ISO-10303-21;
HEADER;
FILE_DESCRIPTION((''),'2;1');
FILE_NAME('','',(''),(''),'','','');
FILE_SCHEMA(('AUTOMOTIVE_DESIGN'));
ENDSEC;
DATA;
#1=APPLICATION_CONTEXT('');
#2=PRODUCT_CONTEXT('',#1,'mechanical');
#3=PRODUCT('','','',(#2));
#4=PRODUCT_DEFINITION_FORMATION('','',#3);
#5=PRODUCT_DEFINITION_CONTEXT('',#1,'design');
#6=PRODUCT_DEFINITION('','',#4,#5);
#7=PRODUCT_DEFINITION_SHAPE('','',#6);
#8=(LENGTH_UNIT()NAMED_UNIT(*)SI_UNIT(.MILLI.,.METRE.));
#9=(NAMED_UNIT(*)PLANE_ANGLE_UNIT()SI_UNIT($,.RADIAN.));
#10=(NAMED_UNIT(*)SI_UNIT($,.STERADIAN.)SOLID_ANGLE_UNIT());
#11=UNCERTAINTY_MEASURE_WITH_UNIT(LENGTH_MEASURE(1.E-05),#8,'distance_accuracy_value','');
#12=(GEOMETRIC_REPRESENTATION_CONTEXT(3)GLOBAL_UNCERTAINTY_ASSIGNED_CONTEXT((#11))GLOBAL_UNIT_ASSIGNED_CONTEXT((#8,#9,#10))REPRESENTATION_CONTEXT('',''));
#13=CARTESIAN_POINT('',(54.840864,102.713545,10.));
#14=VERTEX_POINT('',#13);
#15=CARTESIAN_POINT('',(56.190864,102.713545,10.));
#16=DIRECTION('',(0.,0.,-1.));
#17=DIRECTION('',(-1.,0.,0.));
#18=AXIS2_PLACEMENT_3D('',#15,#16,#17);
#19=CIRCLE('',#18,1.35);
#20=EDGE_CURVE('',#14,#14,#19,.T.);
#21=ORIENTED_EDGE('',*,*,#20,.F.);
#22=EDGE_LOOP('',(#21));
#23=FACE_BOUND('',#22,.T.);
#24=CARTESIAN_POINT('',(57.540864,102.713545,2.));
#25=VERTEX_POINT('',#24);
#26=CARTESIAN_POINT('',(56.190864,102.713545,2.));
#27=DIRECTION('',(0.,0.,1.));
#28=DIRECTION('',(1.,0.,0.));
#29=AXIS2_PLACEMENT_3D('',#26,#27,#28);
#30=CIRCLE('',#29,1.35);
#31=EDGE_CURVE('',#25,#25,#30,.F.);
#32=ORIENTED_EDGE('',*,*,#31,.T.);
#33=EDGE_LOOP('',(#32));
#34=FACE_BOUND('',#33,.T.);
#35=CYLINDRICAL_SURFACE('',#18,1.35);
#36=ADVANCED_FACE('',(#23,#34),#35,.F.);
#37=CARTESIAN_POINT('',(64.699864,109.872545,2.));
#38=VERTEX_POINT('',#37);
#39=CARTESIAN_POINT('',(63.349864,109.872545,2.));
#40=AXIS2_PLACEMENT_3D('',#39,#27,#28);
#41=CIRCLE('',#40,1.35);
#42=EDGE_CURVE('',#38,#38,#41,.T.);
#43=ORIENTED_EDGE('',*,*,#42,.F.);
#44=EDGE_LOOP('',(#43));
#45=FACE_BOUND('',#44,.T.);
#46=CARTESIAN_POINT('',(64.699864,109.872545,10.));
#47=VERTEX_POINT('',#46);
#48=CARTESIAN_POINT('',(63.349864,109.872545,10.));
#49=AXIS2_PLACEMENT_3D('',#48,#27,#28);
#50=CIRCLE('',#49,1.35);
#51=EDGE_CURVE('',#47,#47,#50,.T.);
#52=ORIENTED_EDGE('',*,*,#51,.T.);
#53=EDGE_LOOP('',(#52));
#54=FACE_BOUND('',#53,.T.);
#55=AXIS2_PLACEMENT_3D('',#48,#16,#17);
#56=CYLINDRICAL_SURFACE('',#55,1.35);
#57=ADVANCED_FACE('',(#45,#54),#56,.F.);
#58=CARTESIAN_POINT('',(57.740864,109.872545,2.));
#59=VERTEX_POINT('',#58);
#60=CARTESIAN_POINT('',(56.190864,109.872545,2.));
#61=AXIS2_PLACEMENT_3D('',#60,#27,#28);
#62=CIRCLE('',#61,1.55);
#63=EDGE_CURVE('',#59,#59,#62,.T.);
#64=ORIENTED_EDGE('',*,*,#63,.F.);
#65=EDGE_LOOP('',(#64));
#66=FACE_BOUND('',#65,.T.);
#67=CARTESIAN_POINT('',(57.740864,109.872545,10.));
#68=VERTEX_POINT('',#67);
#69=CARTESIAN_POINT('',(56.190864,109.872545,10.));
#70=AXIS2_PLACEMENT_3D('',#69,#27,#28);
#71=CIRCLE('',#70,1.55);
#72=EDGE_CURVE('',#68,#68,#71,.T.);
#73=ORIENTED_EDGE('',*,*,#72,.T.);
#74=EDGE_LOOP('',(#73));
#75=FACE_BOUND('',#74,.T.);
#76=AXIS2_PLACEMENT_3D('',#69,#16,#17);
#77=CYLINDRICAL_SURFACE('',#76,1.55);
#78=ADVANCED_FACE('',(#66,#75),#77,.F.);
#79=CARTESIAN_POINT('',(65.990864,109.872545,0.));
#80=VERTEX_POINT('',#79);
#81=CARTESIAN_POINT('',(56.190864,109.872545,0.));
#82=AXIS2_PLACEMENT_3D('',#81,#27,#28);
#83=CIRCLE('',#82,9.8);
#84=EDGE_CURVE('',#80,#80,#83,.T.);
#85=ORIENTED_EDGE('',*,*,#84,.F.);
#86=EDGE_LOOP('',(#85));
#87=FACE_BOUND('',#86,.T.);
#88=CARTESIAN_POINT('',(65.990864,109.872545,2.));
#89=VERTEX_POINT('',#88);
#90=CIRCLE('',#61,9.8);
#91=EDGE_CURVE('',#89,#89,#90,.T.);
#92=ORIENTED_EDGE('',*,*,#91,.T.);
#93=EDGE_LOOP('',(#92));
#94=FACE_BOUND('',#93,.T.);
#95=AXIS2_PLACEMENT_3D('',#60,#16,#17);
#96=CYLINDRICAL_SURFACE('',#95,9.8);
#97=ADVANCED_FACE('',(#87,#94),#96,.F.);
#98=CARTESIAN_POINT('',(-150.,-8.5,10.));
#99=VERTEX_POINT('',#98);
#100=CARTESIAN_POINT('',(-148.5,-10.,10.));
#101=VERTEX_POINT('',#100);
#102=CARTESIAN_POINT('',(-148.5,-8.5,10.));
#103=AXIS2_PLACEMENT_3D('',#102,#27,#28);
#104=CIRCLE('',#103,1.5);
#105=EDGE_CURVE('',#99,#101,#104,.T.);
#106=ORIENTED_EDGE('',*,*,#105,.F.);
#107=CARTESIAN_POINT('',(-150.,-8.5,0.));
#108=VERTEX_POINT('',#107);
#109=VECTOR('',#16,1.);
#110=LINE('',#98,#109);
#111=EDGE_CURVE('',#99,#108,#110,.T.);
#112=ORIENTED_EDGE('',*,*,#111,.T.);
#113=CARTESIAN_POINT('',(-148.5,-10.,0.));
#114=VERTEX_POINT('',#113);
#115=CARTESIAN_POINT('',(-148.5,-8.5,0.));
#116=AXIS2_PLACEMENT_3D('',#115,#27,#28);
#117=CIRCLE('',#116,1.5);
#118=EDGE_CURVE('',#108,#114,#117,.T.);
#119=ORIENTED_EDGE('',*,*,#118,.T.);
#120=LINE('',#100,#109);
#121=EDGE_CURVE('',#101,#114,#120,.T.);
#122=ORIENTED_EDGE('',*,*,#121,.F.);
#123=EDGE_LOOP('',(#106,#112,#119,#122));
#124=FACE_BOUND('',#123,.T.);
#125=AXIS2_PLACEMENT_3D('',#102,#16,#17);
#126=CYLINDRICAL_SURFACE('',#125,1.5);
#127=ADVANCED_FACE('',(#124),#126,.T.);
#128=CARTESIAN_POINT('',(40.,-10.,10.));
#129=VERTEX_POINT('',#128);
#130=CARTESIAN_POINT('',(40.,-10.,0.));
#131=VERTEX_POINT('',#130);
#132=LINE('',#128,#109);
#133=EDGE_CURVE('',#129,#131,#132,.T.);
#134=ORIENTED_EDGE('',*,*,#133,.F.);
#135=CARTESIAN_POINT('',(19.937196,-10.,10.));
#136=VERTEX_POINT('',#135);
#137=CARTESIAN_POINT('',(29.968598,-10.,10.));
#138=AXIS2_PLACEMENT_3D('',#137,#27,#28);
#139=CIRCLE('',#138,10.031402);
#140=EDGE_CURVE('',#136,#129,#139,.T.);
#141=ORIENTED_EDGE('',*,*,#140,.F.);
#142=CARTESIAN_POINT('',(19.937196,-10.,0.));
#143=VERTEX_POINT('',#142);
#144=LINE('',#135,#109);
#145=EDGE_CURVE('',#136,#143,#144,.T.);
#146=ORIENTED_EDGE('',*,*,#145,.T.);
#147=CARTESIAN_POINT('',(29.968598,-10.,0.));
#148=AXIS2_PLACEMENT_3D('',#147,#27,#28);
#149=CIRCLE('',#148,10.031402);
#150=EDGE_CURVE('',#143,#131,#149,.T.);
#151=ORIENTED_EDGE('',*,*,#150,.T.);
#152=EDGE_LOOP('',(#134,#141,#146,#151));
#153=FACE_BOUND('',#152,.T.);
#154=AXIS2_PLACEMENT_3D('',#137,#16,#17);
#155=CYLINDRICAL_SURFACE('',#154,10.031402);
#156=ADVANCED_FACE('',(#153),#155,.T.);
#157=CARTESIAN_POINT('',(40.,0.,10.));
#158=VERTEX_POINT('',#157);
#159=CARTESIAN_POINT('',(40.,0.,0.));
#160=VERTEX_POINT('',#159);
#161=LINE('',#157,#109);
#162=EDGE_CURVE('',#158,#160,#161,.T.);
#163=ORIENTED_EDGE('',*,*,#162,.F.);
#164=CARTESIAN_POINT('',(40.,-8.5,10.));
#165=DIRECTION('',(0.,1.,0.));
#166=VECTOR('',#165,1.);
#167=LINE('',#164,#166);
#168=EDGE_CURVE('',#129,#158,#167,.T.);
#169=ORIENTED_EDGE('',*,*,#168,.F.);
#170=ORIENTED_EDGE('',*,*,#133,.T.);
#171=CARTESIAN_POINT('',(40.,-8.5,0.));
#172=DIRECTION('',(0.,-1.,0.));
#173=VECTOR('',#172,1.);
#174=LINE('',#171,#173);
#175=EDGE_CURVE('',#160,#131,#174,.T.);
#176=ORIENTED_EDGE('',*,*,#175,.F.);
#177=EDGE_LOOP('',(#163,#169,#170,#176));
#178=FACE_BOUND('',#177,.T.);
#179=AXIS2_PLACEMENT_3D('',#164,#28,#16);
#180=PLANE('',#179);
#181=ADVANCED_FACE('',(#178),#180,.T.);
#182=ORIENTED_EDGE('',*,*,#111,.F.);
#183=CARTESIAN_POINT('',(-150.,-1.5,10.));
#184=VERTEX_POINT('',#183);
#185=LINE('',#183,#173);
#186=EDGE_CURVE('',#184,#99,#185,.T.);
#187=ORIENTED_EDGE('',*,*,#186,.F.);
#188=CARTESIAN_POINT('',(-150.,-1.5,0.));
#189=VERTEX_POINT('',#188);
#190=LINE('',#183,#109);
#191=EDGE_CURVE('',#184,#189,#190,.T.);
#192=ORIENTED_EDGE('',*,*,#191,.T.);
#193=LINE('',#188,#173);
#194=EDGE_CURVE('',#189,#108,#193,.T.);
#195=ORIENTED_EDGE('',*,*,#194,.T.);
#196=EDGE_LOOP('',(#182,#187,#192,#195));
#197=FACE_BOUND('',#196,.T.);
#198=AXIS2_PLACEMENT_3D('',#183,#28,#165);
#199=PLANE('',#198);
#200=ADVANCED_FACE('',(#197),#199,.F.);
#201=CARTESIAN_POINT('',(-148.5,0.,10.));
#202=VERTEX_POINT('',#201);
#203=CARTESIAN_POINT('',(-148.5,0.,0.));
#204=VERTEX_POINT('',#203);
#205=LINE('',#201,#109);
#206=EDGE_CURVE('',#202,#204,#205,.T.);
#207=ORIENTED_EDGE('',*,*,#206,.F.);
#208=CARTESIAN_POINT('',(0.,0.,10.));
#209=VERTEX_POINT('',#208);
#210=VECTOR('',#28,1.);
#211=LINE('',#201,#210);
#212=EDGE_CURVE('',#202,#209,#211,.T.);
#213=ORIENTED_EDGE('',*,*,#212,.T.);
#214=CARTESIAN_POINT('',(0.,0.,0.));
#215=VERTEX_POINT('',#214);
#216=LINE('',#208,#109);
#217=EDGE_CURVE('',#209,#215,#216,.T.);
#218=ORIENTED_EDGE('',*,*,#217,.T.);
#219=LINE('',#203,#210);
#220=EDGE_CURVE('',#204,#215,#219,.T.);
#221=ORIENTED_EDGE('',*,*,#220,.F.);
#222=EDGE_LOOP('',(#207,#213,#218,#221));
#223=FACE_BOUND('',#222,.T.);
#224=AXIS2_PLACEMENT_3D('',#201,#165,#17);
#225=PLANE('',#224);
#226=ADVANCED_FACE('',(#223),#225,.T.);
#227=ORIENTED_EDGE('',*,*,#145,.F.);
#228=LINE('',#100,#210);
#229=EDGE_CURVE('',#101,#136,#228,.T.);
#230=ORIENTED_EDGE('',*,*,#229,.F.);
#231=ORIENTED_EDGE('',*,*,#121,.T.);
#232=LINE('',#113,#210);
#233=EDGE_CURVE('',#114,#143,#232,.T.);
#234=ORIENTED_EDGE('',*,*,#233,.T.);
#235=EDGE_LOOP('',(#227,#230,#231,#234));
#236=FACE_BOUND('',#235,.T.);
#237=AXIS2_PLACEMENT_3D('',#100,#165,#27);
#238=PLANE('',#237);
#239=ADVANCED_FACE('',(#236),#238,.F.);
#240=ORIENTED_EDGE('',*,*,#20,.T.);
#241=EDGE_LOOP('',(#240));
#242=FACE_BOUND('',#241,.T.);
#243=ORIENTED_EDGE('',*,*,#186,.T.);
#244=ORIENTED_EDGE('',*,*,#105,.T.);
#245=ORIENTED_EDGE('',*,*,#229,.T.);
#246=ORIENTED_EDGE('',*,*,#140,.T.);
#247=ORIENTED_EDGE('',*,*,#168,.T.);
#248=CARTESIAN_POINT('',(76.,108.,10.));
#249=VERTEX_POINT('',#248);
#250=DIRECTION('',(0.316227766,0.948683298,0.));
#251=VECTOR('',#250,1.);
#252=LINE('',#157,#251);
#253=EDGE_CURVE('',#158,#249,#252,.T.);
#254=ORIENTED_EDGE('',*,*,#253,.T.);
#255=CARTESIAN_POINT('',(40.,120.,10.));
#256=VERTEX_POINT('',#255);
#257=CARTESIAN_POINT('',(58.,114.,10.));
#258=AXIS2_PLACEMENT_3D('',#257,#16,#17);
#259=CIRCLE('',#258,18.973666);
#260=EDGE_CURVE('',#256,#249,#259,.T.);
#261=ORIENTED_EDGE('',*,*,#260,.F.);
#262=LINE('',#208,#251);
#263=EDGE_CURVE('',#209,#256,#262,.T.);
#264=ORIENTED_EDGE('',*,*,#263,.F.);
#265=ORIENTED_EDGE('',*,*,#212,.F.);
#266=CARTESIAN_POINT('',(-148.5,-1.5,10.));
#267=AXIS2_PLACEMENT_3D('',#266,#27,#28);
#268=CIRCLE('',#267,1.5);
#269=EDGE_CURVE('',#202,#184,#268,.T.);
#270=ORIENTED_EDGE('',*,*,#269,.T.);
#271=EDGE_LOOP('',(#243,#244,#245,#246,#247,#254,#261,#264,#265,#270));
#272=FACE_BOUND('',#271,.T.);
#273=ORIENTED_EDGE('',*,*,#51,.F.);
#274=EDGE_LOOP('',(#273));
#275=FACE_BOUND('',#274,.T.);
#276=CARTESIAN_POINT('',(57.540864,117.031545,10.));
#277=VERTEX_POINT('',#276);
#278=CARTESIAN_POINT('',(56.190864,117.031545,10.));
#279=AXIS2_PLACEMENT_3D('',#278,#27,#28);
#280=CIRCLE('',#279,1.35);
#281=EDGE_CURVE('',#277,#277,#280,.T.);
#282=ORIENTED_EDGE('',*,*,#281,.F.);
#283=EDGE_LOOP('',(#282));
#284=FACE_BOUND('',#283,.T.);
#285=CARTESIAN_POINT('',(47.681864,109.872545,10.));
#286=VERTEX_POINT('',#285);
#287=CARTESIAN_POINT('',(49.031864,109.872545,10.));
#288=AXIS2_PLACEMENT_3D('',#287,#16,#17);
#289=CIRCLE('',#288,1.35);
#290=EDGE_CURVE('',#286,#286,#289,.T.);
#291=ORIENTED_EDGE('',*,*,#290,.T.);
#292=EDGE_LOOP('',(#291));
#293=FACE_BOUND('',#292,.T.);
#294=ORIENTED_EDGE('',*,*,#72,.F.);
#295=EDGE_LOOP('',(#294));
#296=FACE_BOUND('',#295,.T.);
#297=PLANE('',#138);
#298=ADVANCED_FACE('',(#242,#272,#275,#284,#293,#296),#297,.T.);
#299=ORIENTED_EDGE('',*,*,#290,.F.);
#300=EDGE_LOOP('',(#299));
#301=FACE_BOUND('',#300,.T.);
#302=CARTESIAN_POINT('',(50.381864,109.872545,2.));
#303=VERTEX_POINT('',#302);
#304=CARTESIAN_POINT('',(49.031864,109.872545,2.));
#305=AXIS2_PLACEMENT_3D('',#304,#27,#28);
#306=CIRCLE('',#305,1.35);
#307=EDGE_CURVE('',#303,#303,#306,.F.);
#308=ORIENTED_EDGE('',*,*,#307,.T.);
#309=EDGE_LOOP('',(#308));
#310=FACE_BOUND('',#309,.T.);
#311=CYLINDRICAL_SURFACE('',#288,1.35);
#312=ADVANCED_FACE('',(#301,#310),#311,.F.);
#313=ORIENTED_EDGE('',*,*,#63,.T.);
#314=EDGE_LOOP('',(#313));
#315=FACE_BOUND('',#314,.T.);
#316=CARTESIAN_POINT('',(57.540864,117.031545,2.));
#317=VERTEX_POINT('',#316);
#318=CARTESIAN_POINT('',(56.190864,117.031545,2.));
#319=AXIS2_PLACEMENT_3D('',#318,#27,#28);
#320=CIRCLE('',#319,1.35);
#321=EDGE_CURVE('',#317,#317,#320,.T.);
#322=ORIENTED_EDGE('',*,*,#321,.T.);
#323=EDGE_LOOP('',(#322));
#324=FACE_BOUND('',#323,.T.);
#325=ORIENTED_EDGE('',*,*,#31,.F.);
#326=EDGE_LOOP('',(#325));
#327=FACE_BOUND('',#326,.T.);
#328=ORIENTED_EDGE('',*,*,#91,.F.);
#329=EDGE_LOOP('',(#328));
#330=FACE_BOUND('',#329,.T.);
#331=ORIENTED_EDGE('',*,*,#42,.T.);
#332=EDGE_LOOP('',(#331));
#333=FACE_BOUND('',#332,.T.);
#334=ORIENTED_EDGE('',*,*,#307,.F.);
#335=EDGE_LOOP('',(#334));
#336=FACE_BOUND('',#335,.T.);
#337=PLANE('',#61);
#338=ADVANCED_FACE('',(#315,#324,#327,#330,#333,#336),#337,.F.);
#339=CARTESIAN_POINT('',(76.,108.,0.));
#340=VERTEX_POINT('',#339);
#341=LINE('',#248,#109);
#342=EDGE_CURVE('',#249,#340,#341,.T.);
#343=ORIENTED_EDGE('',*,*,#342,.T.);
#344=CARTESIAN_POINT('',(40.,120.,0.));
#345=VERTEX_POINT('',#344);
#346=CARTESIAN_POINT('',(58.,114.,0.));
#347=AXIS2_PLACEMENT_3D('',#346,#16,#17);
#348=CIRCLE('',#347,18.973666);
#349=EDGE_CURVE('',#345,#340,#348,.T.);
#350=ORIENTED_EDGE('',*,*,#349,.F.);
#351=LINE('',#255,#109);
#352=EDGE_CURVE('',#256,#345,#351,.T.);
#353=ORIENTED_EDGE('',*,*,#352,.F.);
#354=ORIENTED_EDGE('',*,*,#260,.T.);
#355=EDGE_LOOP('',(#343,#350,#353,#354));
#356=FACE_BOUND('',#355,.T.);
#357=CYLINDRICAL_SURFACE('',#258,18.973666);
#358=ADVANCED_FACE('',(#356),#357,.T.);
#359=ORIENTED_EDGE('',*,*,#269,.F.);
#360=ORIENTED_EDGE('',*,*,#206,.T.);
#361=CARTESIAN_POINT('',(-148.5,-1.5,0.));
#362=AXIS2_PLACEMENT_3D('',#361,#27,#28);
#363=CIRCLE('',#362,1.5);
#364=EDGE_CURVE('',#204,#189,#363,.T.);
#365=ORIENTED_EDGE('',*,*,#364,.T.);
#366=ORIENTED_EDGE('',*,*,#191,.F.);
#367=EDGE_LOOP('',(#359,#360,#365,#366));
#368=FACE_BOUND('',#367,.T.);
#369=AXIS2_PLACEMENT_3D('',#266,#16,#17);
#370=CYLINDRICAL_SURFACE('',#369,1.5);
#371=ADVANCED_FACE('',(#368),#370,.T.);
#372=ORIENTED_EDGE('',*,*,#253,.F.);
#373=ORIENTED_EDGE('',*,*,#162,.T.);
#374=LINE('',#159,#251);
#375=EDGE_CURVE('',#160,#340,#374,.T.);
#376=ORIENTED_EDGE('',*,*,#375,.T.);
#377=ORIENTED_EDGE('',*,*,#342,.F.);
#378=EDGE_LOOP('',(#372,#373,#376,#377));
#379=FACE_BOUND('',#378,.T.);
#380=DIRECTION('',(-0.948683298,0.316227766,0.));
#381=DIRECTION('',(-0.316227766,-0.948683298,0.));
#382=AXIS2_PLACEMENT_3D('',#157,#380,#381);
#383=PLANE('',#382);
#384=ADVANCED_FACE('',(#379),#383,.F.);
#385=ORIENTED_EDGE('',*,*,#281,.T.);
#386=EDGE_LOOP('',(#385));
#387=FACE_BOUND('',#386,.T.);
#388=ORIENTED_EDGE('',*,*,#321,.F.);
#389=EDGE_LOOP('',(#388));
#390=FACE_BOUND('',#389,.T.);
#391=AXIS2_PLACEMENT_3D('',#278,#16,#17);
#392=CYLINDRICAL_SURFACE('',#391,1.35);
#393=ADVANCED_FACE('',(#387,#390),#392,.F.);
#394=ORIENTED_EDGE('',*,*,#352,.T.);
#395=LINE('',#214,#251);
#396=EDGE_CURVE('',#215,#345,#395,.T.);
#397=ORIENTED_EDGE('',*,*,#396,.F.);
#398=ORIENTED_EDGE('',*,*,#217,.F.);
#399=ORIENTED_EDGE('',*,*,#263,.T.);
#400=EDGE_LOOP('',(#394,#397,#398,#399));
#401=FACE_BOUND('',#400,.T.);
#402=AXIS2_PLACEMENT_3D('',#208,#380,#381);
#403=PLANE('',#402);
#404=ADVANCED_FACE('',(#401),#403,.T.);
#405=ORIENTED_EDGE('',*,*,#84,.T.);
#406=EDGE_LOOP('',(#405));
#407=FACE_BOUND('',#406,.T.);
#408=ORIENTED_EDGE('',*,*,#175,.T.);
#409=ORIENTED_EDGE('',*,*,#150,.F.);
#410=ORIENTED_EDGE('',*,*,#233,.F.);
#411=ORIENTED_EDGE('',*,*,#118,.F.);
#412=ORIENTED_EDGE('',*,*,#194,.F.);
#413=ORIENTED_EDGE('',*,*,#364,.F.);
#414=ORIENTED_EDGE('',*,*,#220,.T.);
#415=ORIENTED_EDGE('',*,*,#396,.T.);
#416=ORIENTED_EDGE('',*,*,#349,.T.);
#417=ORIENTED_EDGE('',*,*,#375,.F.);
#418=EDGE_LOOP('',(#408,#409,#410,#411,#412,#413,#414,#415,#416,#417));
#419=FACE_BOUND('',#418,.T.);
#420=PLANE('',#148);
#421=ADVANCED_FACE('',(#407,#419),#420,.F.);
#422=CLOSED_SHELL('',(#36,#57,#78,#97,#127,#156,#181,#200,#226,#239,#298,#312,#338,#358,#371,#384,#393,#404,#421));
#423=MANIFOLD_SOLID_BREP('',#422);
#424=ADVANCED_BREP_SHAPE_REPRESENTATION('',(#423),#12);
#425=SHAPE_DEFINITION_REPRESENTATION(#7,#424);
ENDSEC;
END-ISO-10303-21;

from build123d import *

# Parameters (mm, degrees)
EXTRUDE_1_DEPTH     = 10
EXTRUDE_2_DEPTH     = 10
SKETCH_1_8_R        = 1.35
CUT_EXTRUDE_1_DEPTH = 10
SKETCH_1_9_R        = 1.55
CUT_EXTRUDE_2_DEPTH = 10
SKETCH_1_10_R       = 9.8
CUT_EXTRUDE_3_DEPTH = 2


with BuildPart() as part:
    # 草图1 → 凸台-拉伸1 (new body)
    with BuildSketch(Plane.XY):
        with BuildLine():
            Line((-150, -1.5), (-150, -8.5))
            ThreePointArc((-150, -8.5), (-149.560660172, -9.560660172), (-148.5, -10))
            Line((-148.5, -10), (19.937196429, -10))
            ThreePointArc((19.937196429, -10), (29.968598214, -20.031401786), (40, -10))
            Line((40, -10), (40, -8.5))
            Line((40, -8.5), (40, 0))
            Line((40, 0), (-148.5, 0))
            ThreePointArc((-148.5, 0), (-149.560660172, -0.439339828), (-150, -1.5))
        make_face()
    extrude(amount=EXTRUDE_1_DEPTH)

    # 草图1<6> → 凸台-拉伸2 (add)
    with BuildSketch(Plane.XY):
        with BuildLine():
            Line((0, 0), (40, 120))
            ThreePointArc((40, 120), (64, 132), (76, 108))
            Line((76, 108), (40, 0))
            Line((40, 0), (0, 0))
        make_face()
    extrude(amount=EXTRUDE_2_DEPTH)

    # 草图1<8> → 切除-拉伸1 (cut)
    with BuildSketch(Plane.XY):
        with Locations((63.349864231, 109.872544891)):
            Circle(SKETCH_1_8_R)
        with Locations((56.190864231, 117.031544891)):
            Circle(SKETCH_1_8_R)
        with Locations((56.190864231, 102.713544891)):
            Circle(SKETCH_1_8_R)
        with Locations((49.031864231, 109.872544891)):
            Circle(SKETCH_1_8_R)
    extrude(amount=CUT_EXTRUDE_1_DEPTH, mode=Mode.SUBTRACT)

    # 草图1<9> → 切除-拉伸2 (cut)
    with BuildSketch(Plane.XY):
        with Locations((56.190864231, 109.872544891)):
            Circle(SKETCH_1_9_R)
    extrude(amount=CUT_EXTRUDE_2_DEPTH, mode=Mode.SUBTRACT)

    # 草图1<10> → 切除-拉伸3 (cut)
    with BuildSketch(Plane.XY):
        with Locations((56.190864231, 109.872544891)):
            Circle(SKETCH_1_10_R)
    extrude(amount=CUT_EXTRUDE_3_DEPTH, mode=Mode.SUBTRACT)


solid = part.part
